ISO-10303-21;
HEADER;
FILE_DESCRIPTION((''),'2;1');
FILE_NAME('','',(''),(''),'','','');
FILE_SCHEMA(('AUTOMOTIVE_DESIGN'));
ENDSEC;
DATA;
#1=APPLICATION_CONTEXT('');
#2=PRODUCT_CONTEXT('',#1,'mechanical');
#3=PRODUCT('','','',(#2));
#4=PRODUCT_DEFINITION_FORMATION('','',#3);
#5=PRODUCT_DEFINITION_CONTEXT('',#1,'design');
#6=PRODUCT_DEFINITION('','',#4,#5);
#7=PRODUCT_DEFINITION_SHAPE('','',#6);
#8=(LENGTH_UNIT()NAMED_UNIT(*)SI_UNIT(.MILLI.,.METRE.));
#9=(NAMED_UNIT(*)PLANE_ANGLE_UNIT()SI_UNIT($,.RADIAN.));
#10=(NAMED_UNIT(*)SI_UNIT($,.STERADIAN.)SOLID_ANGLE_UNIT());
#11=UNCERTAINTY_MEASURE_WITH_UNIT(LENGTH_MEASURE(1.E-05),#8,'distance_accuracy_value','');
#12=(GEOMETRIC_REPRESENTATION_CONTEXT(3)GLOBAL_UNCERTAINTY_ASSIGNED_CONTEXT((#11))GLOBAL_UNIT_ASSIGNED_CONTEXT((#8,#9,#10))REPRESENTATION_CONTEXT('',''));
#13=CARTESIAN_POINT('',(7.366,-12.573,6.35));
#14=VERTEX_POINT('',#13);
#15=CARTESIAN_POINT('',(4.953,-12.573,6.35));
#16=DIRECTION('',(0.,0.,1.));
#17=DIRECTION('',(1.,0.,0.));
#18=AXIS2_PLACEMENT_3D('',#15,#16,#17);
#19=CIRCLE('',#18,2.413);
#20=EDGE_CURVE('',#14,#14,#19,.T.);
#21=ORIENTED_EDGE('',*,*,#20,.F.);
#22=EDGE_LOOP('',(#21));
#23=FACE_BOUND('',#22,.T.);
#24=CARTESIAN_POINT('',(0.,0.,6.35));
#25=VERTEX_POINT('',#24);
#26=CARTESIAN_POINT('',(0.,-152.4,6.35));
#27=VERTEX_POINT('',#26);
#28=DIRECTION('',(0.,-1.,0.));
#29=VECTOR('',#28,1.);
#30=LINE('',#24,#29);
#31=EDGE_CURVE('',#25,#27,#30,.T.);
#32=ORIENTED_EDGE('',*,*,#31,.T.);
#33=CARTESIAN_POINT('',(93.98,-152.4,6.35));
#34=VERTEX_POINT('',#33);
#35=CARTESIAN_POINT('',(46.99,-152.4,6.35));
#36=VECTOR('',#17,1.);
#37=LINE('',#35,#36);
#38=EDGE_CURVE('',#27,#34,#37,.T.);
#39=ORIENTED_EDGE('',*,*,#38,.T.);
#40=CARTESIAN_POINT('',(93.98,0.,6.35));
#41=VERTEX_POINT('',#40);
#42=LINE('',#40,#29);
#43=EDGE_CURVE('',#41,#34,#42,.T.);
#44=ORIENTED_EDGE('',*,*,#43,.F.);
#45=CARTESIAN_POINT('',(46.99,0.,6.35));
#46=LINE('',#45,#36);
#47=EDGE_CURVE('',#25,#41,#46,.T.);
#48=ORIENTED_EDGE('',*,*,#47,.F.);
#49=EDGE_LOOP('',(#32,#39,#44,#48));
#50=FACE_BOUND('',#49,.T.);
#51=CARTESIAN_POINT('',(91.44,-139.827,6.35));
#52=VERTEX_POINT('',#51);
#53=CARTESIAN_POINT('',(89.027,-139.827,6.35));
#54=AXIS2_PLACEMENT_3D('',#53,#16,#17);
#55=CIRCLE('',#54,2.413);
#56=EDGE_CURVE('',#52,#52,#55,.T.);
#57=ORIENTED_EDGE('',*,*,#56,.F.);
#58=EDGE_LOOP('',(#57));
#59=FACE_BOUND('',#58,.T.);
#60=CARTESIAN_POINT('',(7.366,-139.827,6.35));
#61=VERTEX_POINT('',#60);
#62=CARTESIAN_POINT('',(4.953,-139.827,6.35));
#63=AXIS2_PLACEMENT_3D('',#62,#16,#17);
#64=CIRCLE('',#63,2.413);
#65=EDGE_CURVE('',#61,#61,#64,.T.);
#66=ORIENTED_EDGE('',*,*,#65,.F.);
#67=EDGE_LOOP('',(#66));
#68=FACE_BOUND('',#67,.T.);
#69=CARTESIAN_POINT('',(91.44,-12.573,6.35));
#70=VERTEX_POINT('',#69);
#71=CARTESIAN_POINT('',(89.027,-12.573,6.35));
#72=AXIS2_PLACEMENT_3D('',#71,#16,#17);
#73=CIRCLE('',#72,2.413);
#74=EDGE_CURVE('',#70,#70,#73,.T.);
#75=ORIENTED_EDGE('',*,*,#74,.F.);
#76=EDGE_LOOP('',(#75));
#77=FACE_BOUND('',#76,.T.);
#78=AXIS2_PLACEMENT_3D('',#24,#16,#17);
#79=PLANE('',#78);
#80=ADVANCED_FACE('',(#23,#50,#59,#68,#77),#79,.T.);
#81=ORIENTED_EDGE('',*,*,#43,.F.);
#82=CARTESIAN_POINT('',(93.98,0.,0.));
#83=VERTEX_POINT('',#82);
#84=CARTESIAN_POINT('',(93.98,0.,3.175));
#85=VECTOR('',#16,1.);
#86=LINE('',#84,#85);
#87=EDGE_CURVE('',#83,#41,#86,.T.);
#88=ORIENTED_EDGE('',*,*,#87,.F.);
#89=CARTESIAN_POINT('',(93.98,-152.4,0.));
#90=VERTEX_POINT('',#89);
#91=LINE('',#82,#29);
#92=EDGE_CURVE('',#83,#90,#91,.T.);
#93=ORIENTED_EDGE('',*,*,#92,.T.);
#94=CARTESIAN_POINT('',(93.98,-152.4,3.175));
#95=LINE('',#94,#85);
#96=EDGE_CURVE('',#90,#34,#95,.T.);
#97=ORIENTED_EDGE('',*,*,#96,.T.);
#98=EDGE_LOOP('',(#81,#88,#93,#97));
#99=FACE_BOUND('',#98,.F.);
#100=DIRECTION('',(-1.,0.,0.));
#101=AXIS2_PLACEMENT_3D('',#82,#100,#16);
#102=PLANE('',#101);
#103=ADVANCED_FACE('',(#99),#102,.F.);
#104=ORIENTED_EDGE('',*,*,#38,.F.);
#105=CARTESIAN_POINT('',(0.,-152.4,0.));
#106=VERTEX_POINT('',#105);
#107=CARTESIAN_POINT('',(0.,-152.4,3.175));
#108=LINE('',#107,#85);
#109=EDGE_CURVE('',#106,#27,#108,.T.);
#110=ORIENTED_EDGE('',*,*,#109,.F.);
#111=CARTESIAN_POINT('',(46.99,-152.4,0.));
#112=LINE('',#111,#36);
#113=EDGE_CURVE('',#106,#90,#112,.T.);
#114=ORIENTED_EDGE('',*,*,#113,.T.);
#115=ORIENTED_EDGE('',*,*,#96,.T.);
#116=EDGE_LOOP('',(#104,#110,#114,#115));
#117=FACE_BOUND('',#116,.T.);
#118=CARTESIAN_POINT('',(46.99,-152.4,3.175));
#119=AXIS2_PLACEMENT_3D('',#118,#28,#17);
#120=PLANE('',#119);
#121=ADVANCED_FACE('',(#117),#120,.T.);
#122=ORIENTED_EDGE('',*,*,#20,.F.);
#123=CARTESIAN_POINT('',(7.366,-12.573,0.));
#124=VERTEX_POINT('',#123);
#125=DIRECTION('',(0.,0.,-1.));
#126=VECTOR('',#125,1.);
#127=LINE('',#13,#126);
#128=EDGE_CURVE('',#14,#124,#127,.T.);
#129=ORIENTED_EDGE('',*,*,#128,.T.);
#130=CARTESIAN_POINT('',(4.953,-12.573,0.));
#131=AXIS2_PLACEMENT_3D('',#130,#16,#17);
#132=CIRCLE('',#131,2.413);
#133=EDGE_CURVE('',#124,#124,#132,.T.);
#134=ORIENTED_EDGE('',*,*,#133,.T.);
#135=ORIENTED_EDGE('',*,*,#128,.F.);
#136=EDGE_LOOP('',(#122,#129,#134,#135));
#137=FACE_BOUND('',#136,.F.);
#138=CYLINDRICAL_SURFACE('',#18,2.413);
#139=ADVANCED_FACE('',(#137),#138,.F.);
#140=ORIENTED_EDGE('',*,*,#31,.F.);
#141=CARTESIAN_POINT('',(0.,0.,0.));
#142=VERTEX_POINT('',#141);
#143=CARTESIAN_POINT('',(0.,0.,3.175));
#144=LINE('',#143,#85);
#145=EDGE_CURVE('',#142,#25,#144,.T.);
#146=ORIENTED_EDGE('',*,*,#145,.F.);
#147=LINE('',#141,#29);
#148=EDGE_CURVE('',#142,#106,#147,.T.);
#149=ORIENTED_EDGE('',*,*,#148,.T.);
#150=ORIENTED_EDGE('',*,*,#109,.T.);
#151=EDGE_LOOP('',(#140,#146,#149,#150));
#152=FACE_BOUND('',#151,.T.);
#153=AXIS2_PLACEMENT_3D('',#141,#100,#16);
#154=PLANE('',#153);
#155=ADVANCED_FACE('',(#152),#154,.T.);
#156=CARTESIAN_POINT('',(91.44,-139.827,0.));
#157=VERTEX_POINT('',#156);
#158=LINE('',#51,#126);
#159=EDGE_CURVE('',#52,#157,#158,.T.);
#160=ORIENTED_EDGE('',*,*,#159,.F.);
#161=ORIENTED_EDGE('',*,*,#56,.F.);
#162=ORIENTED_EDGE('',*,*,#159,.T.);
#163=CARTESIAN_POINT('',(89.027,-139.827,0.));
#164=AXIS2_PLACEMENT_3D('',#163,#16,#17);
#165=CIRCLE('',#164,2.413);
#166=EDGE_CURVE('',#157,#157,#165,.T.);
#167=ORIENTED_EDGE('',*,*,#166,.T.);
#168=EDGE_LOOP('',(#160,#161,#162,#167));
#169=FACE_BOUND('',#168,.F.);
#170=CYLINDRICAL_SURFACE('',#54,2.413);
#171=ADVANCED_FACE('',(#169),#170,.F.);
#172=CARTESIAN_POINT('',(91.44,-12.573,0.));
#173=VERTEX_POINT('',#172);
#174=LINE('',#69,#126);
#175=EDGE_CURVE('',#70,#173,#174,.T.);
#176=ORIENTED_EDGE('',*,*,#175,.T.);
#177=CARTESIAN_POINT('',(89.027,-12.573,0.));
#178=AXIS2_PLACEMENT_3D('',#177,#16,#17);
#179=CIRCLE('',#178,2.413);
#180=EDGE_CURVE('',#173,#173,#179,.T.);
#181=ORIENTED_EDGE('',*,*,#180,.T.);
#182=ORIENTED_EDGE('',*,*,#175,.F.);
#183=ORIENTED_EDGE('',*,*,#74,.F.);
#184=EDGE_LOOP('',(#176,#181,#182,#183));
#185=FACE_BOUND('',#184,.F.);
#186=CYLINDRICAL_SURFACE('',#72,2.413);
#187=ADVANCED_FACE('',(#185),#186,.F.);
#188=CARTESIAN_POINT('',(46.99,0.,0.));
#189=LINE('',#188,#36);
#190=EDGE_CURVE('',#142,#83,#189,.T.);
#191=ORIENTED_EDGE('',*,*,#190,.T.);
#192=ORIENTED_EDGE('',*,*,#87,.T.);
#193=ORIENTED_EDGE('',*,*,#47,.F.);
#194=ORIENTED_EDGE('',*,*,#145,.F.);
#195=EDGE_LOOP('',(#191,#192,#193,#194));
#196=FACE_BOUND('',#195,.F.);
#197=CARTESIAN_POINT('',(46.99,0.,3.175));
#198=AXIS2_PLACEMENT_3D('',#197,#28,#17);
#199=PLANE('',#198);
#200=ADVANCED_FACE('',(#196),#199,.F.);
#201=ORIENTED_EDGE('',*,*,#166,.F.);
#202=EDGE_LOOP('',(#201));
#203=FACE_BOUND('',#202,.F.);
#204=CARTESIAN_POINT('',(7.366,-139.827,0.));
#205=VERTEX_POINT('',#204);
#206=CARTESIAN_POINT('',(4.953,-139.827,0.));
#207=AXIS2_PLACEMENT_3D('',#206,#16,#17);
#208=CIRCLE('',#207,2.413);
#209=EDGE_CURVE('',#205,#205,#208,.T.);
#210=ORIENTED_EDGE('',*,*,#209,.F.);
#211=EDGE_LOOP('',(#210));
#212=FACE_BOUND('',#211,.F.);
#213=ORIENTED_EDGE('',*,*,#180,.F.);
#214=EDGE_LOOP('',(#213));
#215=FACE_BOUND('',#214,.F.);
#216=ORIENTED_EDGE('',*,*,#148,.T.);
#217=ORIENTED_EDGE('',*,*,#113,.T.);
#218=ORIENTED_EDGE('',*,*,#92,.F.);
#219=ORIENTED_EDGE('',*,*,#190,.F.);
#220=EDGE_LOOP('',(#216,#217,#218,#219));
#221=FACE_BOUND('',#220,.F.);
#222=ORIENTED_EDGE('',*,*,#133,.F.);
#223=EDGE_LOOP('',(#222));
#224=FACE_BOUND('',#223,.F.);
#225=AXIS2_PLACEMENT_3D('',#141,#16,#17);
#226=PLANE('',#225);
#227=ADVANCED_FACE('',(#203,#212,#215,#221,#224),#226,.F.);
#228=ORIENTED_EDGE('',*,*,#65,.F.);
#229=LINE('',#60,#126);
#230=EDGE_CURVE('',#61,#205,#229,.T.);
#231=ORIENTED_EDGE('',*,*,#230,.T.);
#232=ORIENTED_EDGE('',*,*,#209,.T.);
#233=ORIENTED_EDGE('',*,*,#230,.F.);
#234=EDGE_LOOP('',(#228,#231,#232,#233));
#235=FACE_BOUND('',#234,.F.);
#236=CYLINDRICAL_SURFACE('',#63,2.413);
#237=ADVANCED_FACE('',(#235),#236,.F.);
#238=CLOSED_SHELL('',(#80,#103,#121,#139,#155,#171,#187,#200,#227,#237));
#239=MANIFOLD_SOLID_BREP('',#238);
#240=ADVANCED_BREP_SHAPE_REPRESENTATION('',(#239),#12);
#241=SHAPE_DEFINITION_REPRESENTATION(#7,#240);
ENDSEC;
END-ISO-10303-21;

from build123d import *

# Parameters (mm, degrees)
F0_W     = 93.98
F0_H     = 6.35
F1_DEPTH = 152.4
F2_R     = 2.413
F3_DEPTH = 6.351


with BuildPart() as f1:
    # F0 (on Front) → F1 (new body)
    with BuildSketch(Plane.XZ):
        with Locations((46.99, 3.175)):
            Rectangle(F0_W, F0_H)
    extrude(amount=F1_DEPTH)

    # F2 (on face) → F3 (cut, through all)
    with BuildSketch(Plane.XY.offset(6.35)):
        with Locations((89.027, -12.573)):
            Circle(F2_R)
        with Locations((4.953, -12.573)):
            Circle(F2_R)
        with Locations((89.027, -139.827)):
            Circle(F2_R)
        with Locations((4.953, -139.827)):
            Circle(F2_R)
    extrude(amount=-F3_DEPTH, mode=Mode.SUBTRACT)


solid = f1.part
